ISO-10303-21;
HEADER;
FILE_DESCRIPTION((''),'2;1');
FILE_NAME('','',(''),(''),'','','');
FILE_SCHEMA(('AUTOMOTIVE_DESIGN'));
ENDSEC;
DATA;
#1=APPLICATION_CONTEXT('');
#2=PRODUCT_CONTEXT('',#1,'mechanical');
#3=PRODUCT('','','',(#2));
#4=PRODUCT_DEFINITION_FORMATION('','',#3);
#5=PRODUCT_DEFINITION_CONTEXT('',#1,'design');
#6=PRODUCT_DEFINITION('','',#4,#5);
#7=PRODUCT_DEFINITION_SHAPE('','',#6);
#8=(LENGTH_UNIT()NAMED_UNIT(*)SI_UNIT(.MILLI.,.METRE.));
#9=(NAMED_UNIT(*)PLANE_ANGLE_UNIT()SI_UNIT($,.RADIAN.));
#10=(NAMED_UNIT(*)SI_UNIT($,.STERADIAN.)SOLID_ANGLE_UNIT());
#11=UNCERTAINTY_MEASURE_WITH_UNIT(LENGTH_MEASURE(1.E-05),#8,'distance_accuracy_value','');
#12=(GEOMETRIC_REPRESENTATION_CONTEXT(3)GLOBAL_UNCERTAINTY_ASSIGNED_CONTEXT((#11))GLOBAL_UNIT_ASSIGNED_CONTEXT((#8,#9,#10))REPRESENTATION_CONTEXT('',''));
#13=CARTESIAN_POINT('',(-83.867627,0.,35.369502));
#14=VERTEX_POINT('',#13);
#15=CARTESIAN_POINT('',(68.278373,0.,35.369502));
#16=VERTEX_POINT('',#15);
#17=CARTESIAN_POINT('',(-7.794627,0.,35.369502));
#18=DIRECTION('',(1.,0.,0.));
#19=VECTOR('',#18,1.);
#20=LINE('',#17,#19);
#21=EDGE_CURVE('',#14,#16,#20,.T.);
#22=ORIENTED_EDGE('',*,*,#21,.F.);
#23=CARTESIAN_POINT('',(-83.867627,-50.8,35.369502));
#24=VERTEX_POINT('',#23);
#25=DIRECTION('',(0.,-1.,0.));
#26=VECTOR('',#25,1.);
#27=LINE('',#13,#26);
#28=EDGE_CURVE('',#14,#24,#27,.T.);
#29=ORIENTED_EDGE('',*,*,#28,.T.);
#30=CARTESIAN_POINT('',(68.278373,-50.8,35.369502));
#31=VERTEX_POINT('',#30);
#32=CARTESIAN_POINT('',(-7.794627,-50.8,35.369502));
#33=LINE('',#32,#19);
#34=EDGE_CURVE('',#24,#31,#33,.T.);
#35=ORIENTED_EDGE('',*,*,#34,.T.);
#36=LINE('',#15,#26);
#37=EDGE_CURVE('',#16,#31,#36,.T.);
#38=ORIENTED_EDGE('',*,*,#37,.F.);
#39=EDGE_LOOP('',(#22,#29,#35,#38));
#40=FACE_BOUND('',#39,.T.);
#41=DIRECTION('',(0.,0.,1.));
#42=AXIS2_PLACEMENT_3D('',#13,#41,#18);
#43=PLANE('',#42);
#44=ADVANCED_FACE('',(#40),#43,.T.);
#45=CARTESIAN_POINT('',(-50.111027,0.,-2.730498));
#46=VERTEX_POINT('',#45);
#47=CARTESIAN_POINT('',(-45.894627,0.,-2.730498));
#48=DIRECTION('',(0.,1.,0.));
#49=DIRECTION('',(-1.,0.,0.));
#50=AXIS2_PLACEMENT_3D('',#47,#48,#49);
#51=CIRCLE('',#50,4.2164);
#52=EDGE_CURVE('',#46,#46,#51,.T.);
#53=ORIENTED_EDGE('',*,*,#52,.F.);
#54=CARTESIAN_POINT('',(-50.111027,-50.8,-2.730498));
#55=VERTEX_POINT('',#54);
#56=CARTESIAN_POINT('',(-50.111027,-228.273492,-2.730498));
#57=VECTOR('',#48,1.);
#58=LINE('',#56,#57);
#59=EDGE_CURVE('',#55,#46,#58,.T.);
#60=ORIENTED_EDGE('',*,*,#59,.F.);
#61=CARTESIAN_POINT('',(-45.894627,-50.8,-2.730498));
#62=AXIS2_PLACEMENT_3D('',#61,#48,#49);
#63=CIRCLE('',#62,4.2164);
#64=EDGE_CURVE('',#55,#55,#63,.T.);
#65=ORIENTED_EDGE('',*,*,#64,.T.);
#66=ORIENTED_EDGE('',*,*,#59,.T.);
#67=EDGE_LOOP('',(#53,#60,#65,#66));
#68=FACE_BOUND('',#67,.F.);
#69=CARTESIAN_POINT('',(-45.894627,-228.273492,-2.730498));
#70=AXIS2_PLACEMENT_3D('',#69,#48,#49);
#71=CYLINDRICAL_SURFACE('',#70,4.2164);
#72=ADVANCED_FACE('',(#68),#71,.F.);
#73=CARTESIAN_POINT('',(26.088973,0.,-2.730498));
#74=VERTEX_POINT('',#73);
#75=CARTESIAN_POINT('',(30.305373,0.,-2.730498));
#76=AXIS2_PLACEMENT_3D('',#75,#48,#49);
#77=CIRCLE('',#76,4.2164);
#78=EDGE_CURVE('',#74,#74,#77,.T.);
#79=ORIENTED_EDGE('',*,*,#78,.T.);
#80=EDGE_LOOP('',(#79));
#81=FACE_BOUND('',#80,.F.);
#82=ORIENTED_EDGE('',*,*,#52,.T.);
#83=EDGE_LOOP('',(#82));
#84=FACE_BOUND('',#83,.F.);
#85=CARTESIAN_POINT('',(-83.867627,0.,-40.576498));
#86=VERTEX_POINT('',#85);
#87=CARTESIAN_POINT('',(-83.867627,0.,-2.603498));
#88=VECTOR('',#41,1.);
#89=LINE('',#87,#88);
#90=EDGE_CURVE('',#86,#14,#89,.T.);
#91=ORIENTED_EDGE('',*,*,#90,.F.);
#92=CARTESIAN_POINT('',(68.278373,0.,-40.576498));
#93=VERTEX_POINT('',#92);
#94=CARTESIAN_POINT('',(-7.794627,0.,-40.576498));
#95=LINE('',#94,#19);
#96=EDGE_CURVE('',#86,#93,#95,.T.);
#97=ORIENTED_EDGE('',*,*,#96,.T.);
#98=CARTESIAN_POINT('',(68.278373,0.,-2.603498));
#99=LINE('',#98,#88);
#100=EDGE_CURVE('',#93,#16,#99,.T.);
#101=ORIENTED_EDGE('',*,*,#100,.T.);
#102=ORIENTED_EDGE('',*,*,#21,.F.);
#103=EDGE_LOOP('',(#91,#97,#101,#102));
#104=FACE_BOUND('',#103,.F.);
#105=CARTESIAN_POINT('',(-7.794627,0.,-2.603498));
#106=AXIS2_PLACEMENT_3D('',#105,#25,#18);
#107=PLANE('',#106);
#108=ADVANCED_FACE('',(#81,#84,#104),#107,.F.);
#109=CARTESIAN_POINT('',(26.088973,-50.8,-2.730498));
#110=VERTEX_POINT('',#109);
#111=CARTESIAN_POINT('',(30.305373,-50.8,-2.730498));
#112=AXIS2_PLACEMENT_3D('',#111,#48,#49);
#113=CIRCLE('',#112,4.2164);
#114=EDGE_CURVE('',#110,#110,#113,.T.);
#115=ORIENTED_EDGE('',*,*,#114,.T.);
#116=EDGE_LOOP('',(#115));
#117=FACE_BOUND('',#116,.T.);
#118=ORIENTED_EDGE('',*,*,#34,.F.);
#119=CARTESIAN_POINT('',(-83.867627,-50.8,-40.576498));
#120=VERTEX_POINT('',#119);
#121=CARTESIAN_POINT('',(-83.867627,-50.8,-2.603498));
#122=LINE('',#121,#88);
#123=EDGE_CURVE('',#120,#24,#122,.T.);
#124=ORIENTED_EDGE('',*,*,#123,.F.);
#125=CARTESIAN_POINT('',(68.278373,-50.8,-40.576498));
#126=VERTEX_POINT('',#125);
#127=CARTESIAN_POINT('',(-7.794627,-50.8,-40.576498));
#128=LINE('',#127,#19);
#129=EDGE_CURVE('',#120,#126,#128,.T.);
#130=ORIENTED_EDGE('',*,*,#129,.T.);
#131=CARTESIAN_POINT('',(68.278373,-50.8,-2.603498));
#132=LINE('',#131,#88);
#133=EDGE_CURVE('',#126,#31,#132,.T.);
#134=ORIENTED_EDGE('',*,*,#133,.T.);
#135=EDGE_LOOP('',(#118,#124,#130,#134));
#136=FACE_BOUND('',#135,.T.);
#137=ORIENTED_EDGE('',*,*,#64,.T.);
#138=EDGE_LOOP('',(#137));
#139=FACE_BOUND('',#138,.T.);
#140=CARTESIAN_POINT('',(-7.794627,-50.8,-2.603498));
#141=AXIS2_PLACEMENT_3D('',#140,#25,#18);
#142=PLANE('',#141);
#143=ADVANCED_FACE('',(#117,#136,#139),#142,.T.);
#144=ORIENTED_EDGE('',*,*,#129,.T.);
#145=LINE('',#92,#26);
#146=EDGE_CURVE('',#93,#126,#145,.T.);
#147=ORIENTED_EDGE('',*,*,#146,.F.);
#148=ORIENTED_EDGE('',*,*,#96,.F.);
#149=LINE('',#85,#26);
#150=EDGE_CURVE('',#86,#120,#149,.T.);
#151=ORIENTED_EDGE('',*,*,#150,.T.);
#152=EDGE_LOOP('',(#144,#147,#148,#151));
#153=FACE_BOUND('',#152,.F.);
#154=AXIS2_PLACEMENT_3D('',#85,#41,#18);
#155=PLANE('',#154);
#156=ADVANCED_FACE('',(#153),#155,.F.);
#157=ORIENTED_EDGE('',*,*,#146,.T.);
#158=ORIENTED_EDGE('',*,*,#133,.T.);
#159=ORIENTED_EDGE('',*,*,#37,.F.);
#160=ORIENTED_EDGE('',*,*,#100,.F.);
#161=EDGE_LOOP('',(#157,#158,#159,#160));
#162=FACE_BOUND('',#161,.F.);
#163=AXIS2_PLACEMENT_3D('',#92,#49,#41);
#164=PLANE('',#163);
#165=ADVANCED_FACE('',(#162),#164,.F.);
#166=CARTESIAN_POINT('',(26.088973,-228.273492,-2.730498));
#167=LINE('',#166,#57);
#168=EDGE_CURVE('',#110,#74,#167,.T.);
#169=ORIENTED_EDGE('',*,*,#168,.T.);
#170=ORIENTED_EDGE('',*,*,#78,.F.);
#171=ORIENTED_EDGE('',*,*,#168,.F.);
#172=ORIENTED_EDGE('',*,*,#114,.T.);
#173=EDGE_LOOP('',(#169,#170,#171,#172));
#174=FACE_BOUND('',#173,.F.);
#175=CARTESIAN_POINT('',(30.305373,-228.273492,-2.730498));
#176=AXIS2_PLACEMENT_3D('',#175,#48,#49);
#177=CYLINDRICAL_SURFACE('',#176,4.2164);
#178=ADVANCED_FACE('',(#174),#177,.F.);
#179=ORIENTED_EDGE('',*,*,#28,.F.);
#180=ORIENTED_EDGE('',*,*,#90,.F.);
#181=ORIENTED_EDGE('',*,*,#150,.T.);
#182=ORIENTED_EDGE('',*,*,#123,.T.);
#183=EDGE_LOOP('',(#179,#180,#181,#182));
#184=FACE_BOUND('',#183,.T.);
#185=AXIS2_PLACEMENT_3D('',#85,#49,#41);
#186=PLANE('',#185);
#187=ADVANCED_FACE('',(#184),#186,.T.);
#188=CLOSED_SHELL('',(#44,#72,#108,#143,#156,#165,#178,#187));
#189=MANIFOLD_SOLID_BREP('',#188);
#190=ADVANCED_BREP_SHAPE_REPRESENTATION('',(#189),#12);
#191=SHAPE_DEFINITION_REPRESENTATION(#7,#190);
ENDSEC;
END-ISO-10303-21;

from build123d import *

# Parameters (mm, degrees)
F0_W     = 152.146
F0_H     = 75.946
F1_DEPTH = 50.8
F3_D     = 8.4328


with BuildPart() as f1:
    # F0 (on Front) → F1 (new body)
    with BuildSketch(Plane.XZ):
        with Locations((-7.7946271856, -2.6034978698)):
            Rectangle(F0_W, F0_H)
    extrude(amount=F1_DEPTH)

    # F3 (through all)
    with Locations(Plane.XZ.offset(50.8)):
        with Locations((-45.8946271856, -2.7304978698), (30.3053728144, -2.7304978698)):
            Hole(F3_D / 2)


solid = f1.part
